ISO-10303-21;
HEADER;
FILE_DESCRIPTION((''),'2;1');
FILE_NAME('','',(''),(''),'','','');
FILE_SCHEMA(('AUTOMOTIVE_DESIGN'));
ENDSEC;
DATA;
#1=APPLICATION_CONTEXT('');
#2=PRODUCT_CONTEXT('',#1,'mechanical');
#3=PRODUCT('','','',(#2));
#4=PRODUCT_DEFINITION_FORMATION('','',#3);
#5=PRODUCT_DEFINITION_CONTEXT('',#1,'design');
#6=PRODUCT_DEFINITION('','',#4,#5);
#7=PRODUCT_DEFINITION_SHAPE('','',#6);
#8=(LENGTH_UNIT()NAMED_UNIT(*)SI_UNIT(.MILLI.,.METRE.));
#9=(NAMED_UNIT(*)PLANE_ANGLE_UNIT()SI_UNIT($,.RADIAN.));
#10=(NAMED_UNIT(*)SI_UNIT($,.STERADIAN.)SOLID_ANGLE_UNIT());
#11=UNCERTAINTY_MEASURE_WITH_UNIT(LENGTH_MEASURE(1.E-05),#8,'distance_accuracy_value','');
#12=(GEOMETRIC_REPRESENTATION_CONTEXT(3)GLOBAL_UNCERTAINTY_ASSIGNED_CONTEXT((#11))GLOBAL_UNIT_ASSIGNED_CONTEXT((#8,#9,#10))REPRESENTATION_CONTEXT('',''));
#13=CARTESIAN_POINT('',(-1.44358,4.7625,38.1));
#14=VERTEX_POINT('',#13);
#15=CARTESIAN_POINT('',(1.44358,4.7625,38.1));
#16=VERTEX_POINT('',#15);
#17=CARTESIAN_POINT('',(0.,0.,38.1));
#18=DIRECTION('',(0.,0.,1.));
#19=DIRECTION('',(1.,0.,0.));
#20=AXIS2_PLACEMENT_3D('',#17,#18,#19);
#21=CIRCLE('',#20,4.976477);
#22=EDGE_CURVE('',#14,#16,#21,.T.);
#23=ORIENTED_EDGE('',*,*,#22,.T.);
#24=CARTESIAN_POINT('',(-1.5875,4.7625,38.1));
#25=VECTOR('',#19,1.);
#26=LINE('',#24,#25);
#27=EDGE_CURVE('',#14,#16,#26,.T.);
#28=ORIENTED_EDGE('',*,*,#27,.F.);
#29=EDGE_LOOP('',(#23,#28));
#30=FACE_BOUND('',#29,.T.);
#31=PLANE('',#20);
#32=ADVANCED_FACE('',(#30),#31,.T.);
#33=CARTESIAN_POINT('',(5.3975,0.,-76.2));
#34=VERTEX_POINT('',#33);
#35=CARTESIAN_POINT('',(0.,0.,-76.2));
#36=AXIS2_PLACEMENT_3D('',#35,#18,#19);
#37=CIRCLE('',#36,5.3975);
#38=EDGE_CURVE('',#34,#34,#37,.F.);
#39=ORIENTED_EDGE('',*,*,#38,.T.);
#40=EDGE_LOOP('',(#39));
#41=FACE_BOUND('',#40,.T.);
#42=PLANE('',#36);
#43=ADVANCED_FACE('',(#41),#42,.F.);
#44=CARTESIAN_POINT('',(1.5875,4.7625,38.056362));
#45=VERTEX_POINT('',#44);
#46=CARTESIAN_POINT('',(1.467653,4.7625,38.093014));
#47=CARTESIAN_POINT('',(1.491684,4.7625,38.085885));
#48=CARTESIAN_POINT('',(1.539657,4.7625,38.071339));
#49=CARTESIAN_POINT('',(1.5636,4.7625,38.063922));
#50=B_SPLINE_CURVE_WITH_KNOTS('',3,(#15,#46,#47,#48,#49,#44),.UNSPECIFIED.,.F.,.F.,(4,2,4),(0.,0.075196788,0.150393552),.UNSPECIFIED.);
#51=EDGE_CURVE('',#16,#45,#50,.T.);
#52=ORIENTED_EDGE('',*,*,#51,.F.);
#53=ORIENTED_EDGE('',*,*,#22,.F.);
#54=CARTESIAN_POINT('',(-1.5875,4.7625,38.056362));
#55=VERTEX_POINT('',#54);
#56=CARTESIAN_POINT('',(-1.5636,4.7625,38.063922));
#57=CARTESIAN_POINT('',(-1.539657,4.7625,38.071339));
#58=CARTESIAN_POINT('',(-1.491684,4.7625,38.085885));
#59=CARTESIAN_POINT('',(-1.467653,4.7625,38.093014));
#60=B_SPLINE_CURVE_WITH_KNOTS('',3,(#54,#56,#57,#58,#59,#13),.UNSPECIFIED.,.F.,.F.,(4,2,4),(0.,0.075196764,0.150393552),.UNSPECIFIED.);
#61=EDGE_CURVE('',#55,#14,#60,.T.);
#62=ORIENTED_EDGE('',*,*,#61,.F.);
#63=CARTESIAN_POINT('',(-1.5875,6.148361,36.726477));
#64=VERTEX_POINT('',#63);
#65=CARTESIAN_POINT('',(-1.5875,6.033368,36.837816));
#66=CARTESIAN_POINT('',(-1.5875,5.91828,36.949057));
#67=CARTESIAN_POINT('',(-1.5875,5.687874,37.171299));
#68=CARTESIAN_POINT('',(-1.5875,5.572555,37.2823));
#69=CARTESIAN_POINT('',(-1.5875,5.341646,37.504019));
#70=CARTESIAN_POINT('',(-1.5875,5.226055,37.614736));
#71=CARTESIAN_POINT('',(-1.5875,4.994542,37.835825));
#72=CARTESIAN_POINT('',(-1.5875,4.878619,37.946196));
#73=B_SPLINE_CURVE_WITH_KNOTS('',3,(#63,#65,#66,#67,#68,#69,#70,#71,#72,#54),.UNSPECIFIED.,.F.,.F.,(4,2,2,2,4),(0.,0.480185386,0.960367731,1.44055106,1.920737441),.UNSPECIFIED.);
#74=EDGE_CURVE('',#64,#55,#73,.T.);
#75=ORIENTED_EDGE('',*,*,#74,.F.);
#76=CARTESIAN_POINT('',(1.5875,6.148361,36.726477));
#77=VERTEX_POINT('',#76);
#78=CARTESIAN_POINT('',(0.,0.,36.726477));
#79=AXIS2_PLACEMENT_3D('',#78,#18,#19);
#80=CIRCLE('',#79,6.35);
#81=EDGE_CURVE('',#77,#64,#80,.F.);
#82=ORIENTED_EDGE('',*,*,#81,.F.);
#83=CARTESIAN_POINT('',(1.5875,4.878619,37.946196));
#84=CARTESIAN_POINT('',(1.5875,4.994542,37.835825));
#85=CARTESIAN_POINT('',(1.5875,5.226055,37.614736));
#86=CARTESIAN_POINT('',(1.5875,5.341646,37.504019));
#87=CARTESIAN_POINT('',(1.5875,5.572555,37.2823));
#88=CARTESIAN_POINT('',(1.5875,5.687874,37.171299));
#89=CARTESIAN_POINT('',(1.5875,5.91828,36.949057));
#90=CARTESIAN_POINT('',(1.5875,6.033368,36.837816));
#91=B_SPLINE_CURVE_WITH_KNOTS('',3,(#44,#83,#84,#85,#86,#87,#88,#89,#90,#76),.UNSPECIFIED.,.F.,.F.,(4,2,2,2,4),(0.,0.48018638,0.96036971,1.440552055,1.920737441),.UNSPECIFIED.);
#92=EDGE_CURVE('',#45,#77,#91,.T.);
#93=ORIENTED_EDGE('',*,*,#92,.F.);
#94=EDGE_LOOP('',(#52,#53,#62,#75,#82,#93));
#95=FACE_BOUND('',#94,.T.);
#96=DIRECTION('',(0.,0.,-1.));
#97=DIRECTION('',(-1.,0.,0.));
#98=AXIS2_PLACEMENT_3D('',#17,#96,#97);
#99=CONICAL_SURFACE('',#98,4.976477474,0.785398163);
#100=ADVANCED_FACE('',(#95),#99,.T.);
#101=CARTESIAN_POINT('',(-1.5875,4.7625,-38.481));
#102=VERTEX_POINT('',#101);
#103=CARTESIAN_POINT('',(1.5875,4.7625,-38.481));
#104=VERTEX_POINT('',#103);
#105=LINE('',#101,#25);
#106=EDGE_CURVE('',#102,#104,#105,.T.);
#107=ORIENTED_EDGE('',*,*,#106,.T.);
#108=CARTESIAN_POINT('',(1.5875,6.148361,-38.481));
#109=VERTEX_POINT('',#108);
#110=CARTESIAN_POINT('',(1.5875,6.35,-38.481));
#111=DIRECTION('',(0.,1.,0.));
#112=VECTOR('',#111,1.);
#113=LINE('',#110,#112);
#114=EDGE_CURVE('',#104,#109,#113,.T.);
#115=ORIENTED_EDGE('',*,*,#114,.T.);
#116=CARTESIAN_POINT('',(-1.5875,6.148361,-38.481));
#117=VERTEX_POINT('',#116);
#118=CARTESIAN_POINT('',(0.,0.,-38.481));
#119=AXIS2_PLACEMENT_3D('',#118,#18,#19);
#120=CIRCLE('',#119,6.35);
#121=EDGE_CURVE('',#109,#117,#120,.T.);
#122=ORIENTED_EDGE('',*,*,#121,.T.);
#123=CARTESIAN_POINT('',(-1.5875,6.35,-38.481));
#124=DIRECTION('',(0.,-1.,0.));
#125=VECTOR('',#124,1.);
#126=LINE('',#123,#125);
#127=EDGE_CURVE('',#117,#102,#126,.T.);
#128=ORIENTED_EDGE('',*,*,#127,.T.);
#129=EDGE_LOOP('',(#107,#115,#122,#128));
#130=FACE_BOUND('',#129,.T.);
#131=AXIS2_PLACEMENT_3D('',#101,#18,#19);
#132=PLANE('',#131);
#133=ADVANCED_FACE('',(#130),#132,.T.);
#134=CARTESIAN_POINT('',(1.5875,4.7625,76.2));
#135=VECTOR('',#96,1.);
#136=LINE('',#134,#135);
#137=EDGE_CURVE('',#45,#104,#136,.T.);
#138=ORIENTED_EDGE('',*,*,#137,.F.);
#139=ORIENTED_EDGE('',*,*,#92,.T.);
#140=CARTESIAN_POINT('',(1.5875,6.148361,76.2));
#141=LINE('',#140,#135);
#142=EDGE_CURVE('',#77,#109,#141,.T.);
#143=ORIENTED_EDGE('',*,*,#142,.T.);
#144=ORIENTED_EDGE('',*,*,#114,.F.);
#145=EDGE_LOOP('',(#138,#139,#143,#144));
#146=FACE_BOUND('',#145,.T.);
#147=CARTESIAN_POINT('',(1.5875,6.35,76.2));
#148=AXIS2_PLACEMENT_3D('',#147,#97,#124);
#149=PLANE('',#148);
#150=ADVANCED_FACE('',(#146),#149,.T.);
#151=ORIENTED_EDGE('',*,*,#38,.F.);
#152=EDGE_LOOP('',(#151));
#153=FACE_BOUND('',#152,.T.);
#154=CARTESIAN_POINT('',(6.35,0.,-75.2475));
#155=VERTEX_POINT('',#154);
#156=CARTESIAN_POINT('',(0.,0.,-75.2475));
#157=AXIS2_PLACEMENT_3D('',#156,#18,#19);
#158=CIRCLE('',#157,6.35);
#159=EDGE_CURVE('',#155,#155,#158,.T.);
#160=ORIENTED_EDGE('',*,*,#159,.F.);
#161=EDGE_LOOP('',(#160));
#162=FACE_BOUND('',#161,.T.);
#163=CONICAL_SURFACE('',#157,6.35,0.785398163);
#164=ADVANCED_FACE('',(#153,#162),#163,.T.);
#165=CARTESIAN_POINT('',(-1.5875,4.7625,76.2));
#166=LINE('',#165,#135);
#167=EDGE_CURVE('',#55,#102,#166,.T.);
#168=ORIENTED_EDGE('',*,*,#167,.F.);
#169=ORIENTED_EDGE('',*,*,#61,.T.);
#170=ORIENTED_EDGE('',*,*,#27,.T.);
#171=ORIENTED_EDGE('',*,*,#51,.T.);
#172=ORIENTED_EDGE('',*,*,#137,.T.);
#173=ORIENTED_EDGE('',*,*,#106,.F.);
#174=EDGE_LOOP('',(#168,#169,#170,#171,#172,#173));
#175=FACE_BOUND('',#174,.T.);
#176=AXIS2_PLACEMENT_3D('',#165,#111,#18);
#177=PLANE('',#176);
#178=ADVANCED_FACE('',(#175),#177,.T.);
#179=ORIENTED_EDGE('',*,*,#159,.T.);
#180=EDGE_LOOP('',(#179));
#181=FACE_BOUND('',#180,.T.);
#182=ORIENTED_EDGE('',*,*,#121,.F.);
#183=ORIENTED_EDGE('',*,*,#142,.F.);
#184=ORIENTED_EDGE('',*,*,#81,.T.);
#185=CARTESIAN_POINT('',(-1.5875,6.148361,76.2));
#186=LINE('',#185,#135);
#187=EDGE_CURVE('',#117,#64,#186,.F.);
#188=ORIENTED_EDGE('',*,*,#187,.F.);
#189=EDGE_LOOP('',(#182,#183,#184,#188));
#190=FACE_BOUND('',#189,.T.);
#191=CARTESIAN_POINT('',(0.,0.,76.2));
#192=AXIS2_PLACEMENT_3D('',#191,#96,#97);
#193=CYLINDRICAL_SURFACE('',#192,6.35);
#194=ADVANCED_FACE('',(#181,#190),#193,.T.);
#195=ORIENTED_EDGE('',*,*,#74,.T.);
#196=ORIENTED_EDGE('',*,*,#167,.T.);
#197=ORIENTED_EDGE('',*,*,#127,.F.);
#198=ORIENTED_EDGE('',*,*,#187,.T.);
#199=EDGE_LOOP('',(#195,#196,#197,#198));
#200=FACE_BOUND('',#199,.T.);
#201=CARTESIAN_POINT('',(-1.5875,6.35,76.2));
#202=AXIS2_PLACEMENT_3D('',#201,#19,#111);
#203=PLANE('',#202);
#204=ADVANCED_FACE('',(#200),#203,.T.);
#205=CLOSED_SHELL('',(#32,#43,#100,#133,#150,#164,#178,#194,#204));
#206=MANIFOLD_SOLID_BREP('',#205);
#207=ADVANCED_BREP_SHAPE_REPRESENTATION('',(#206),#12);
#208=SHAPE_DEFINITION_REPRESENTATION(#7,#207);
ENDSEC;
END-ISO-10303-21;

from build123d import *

# Parameters (mm, degrees)
SKETCH1_R           = 6.35
EXTRUDE1_DEPTH      = 76.2
CHAMFER1_SIZE       = 0.9525
SKETCH3_W           = 3.175
SKETCH3_H           = 1.5875
EXTRUDE2_DEPTH      = 77.727341932
EXTRUDE2_DEPTH_BACK = 38.481
CHAMFER2_SIZE       = 1.373522526


with BuildPart() as part:
    # Sketch1 → Extrude1 (new, symmetric)
    with BuildSketch(Plane.XY):
        with Locations(Location((0, 0, 0), (0, 0, 180))):
            Circle(SKETCH1_R)
    extrude(amount=EXTRUDE1_DEPTH, both=True)

    # Chamfer1
    chamfer1_edges = [part.edges().sort_by_distance(p)[0] for p in [
        (6.35, 0, -76.2),
        (6.35, 0, 76.2),
    ]]
    chamfer(chamfer1_edges, length=CHAMFER1_SIZE)

    # Sketch3 → Extrude2 (cut, two sides)
    with BuildSketch(Plane.XY) as extrude2_sk:
        with Locations((0, 5.55625)):
            Rectangle(SKETCH3_W, SKETCH3_H)
    extrude(amount=EXTRUDE2_DEPTH, mode=Mode.SUBTRACT)
    extrude(extrude2_sk.sketch, amount=-EXTRUDE2_DEPTH_BACK, mode=Mode.SUBTRACT)

    # SurfaceCut1
    split(bisect_by=Plane.XY.offset(38.1), keep=Keep.BOTTOM)

    # Chamfer2
    chamfer2_edges = [part.edges().sort_by_distance(p)[0] for p in [
        (3.888564967, -5.020115786, 38.1),
    ]]
    chamfer(chamfer2_edges, length=CHAMFER2_SIZE)


solid = part.part
